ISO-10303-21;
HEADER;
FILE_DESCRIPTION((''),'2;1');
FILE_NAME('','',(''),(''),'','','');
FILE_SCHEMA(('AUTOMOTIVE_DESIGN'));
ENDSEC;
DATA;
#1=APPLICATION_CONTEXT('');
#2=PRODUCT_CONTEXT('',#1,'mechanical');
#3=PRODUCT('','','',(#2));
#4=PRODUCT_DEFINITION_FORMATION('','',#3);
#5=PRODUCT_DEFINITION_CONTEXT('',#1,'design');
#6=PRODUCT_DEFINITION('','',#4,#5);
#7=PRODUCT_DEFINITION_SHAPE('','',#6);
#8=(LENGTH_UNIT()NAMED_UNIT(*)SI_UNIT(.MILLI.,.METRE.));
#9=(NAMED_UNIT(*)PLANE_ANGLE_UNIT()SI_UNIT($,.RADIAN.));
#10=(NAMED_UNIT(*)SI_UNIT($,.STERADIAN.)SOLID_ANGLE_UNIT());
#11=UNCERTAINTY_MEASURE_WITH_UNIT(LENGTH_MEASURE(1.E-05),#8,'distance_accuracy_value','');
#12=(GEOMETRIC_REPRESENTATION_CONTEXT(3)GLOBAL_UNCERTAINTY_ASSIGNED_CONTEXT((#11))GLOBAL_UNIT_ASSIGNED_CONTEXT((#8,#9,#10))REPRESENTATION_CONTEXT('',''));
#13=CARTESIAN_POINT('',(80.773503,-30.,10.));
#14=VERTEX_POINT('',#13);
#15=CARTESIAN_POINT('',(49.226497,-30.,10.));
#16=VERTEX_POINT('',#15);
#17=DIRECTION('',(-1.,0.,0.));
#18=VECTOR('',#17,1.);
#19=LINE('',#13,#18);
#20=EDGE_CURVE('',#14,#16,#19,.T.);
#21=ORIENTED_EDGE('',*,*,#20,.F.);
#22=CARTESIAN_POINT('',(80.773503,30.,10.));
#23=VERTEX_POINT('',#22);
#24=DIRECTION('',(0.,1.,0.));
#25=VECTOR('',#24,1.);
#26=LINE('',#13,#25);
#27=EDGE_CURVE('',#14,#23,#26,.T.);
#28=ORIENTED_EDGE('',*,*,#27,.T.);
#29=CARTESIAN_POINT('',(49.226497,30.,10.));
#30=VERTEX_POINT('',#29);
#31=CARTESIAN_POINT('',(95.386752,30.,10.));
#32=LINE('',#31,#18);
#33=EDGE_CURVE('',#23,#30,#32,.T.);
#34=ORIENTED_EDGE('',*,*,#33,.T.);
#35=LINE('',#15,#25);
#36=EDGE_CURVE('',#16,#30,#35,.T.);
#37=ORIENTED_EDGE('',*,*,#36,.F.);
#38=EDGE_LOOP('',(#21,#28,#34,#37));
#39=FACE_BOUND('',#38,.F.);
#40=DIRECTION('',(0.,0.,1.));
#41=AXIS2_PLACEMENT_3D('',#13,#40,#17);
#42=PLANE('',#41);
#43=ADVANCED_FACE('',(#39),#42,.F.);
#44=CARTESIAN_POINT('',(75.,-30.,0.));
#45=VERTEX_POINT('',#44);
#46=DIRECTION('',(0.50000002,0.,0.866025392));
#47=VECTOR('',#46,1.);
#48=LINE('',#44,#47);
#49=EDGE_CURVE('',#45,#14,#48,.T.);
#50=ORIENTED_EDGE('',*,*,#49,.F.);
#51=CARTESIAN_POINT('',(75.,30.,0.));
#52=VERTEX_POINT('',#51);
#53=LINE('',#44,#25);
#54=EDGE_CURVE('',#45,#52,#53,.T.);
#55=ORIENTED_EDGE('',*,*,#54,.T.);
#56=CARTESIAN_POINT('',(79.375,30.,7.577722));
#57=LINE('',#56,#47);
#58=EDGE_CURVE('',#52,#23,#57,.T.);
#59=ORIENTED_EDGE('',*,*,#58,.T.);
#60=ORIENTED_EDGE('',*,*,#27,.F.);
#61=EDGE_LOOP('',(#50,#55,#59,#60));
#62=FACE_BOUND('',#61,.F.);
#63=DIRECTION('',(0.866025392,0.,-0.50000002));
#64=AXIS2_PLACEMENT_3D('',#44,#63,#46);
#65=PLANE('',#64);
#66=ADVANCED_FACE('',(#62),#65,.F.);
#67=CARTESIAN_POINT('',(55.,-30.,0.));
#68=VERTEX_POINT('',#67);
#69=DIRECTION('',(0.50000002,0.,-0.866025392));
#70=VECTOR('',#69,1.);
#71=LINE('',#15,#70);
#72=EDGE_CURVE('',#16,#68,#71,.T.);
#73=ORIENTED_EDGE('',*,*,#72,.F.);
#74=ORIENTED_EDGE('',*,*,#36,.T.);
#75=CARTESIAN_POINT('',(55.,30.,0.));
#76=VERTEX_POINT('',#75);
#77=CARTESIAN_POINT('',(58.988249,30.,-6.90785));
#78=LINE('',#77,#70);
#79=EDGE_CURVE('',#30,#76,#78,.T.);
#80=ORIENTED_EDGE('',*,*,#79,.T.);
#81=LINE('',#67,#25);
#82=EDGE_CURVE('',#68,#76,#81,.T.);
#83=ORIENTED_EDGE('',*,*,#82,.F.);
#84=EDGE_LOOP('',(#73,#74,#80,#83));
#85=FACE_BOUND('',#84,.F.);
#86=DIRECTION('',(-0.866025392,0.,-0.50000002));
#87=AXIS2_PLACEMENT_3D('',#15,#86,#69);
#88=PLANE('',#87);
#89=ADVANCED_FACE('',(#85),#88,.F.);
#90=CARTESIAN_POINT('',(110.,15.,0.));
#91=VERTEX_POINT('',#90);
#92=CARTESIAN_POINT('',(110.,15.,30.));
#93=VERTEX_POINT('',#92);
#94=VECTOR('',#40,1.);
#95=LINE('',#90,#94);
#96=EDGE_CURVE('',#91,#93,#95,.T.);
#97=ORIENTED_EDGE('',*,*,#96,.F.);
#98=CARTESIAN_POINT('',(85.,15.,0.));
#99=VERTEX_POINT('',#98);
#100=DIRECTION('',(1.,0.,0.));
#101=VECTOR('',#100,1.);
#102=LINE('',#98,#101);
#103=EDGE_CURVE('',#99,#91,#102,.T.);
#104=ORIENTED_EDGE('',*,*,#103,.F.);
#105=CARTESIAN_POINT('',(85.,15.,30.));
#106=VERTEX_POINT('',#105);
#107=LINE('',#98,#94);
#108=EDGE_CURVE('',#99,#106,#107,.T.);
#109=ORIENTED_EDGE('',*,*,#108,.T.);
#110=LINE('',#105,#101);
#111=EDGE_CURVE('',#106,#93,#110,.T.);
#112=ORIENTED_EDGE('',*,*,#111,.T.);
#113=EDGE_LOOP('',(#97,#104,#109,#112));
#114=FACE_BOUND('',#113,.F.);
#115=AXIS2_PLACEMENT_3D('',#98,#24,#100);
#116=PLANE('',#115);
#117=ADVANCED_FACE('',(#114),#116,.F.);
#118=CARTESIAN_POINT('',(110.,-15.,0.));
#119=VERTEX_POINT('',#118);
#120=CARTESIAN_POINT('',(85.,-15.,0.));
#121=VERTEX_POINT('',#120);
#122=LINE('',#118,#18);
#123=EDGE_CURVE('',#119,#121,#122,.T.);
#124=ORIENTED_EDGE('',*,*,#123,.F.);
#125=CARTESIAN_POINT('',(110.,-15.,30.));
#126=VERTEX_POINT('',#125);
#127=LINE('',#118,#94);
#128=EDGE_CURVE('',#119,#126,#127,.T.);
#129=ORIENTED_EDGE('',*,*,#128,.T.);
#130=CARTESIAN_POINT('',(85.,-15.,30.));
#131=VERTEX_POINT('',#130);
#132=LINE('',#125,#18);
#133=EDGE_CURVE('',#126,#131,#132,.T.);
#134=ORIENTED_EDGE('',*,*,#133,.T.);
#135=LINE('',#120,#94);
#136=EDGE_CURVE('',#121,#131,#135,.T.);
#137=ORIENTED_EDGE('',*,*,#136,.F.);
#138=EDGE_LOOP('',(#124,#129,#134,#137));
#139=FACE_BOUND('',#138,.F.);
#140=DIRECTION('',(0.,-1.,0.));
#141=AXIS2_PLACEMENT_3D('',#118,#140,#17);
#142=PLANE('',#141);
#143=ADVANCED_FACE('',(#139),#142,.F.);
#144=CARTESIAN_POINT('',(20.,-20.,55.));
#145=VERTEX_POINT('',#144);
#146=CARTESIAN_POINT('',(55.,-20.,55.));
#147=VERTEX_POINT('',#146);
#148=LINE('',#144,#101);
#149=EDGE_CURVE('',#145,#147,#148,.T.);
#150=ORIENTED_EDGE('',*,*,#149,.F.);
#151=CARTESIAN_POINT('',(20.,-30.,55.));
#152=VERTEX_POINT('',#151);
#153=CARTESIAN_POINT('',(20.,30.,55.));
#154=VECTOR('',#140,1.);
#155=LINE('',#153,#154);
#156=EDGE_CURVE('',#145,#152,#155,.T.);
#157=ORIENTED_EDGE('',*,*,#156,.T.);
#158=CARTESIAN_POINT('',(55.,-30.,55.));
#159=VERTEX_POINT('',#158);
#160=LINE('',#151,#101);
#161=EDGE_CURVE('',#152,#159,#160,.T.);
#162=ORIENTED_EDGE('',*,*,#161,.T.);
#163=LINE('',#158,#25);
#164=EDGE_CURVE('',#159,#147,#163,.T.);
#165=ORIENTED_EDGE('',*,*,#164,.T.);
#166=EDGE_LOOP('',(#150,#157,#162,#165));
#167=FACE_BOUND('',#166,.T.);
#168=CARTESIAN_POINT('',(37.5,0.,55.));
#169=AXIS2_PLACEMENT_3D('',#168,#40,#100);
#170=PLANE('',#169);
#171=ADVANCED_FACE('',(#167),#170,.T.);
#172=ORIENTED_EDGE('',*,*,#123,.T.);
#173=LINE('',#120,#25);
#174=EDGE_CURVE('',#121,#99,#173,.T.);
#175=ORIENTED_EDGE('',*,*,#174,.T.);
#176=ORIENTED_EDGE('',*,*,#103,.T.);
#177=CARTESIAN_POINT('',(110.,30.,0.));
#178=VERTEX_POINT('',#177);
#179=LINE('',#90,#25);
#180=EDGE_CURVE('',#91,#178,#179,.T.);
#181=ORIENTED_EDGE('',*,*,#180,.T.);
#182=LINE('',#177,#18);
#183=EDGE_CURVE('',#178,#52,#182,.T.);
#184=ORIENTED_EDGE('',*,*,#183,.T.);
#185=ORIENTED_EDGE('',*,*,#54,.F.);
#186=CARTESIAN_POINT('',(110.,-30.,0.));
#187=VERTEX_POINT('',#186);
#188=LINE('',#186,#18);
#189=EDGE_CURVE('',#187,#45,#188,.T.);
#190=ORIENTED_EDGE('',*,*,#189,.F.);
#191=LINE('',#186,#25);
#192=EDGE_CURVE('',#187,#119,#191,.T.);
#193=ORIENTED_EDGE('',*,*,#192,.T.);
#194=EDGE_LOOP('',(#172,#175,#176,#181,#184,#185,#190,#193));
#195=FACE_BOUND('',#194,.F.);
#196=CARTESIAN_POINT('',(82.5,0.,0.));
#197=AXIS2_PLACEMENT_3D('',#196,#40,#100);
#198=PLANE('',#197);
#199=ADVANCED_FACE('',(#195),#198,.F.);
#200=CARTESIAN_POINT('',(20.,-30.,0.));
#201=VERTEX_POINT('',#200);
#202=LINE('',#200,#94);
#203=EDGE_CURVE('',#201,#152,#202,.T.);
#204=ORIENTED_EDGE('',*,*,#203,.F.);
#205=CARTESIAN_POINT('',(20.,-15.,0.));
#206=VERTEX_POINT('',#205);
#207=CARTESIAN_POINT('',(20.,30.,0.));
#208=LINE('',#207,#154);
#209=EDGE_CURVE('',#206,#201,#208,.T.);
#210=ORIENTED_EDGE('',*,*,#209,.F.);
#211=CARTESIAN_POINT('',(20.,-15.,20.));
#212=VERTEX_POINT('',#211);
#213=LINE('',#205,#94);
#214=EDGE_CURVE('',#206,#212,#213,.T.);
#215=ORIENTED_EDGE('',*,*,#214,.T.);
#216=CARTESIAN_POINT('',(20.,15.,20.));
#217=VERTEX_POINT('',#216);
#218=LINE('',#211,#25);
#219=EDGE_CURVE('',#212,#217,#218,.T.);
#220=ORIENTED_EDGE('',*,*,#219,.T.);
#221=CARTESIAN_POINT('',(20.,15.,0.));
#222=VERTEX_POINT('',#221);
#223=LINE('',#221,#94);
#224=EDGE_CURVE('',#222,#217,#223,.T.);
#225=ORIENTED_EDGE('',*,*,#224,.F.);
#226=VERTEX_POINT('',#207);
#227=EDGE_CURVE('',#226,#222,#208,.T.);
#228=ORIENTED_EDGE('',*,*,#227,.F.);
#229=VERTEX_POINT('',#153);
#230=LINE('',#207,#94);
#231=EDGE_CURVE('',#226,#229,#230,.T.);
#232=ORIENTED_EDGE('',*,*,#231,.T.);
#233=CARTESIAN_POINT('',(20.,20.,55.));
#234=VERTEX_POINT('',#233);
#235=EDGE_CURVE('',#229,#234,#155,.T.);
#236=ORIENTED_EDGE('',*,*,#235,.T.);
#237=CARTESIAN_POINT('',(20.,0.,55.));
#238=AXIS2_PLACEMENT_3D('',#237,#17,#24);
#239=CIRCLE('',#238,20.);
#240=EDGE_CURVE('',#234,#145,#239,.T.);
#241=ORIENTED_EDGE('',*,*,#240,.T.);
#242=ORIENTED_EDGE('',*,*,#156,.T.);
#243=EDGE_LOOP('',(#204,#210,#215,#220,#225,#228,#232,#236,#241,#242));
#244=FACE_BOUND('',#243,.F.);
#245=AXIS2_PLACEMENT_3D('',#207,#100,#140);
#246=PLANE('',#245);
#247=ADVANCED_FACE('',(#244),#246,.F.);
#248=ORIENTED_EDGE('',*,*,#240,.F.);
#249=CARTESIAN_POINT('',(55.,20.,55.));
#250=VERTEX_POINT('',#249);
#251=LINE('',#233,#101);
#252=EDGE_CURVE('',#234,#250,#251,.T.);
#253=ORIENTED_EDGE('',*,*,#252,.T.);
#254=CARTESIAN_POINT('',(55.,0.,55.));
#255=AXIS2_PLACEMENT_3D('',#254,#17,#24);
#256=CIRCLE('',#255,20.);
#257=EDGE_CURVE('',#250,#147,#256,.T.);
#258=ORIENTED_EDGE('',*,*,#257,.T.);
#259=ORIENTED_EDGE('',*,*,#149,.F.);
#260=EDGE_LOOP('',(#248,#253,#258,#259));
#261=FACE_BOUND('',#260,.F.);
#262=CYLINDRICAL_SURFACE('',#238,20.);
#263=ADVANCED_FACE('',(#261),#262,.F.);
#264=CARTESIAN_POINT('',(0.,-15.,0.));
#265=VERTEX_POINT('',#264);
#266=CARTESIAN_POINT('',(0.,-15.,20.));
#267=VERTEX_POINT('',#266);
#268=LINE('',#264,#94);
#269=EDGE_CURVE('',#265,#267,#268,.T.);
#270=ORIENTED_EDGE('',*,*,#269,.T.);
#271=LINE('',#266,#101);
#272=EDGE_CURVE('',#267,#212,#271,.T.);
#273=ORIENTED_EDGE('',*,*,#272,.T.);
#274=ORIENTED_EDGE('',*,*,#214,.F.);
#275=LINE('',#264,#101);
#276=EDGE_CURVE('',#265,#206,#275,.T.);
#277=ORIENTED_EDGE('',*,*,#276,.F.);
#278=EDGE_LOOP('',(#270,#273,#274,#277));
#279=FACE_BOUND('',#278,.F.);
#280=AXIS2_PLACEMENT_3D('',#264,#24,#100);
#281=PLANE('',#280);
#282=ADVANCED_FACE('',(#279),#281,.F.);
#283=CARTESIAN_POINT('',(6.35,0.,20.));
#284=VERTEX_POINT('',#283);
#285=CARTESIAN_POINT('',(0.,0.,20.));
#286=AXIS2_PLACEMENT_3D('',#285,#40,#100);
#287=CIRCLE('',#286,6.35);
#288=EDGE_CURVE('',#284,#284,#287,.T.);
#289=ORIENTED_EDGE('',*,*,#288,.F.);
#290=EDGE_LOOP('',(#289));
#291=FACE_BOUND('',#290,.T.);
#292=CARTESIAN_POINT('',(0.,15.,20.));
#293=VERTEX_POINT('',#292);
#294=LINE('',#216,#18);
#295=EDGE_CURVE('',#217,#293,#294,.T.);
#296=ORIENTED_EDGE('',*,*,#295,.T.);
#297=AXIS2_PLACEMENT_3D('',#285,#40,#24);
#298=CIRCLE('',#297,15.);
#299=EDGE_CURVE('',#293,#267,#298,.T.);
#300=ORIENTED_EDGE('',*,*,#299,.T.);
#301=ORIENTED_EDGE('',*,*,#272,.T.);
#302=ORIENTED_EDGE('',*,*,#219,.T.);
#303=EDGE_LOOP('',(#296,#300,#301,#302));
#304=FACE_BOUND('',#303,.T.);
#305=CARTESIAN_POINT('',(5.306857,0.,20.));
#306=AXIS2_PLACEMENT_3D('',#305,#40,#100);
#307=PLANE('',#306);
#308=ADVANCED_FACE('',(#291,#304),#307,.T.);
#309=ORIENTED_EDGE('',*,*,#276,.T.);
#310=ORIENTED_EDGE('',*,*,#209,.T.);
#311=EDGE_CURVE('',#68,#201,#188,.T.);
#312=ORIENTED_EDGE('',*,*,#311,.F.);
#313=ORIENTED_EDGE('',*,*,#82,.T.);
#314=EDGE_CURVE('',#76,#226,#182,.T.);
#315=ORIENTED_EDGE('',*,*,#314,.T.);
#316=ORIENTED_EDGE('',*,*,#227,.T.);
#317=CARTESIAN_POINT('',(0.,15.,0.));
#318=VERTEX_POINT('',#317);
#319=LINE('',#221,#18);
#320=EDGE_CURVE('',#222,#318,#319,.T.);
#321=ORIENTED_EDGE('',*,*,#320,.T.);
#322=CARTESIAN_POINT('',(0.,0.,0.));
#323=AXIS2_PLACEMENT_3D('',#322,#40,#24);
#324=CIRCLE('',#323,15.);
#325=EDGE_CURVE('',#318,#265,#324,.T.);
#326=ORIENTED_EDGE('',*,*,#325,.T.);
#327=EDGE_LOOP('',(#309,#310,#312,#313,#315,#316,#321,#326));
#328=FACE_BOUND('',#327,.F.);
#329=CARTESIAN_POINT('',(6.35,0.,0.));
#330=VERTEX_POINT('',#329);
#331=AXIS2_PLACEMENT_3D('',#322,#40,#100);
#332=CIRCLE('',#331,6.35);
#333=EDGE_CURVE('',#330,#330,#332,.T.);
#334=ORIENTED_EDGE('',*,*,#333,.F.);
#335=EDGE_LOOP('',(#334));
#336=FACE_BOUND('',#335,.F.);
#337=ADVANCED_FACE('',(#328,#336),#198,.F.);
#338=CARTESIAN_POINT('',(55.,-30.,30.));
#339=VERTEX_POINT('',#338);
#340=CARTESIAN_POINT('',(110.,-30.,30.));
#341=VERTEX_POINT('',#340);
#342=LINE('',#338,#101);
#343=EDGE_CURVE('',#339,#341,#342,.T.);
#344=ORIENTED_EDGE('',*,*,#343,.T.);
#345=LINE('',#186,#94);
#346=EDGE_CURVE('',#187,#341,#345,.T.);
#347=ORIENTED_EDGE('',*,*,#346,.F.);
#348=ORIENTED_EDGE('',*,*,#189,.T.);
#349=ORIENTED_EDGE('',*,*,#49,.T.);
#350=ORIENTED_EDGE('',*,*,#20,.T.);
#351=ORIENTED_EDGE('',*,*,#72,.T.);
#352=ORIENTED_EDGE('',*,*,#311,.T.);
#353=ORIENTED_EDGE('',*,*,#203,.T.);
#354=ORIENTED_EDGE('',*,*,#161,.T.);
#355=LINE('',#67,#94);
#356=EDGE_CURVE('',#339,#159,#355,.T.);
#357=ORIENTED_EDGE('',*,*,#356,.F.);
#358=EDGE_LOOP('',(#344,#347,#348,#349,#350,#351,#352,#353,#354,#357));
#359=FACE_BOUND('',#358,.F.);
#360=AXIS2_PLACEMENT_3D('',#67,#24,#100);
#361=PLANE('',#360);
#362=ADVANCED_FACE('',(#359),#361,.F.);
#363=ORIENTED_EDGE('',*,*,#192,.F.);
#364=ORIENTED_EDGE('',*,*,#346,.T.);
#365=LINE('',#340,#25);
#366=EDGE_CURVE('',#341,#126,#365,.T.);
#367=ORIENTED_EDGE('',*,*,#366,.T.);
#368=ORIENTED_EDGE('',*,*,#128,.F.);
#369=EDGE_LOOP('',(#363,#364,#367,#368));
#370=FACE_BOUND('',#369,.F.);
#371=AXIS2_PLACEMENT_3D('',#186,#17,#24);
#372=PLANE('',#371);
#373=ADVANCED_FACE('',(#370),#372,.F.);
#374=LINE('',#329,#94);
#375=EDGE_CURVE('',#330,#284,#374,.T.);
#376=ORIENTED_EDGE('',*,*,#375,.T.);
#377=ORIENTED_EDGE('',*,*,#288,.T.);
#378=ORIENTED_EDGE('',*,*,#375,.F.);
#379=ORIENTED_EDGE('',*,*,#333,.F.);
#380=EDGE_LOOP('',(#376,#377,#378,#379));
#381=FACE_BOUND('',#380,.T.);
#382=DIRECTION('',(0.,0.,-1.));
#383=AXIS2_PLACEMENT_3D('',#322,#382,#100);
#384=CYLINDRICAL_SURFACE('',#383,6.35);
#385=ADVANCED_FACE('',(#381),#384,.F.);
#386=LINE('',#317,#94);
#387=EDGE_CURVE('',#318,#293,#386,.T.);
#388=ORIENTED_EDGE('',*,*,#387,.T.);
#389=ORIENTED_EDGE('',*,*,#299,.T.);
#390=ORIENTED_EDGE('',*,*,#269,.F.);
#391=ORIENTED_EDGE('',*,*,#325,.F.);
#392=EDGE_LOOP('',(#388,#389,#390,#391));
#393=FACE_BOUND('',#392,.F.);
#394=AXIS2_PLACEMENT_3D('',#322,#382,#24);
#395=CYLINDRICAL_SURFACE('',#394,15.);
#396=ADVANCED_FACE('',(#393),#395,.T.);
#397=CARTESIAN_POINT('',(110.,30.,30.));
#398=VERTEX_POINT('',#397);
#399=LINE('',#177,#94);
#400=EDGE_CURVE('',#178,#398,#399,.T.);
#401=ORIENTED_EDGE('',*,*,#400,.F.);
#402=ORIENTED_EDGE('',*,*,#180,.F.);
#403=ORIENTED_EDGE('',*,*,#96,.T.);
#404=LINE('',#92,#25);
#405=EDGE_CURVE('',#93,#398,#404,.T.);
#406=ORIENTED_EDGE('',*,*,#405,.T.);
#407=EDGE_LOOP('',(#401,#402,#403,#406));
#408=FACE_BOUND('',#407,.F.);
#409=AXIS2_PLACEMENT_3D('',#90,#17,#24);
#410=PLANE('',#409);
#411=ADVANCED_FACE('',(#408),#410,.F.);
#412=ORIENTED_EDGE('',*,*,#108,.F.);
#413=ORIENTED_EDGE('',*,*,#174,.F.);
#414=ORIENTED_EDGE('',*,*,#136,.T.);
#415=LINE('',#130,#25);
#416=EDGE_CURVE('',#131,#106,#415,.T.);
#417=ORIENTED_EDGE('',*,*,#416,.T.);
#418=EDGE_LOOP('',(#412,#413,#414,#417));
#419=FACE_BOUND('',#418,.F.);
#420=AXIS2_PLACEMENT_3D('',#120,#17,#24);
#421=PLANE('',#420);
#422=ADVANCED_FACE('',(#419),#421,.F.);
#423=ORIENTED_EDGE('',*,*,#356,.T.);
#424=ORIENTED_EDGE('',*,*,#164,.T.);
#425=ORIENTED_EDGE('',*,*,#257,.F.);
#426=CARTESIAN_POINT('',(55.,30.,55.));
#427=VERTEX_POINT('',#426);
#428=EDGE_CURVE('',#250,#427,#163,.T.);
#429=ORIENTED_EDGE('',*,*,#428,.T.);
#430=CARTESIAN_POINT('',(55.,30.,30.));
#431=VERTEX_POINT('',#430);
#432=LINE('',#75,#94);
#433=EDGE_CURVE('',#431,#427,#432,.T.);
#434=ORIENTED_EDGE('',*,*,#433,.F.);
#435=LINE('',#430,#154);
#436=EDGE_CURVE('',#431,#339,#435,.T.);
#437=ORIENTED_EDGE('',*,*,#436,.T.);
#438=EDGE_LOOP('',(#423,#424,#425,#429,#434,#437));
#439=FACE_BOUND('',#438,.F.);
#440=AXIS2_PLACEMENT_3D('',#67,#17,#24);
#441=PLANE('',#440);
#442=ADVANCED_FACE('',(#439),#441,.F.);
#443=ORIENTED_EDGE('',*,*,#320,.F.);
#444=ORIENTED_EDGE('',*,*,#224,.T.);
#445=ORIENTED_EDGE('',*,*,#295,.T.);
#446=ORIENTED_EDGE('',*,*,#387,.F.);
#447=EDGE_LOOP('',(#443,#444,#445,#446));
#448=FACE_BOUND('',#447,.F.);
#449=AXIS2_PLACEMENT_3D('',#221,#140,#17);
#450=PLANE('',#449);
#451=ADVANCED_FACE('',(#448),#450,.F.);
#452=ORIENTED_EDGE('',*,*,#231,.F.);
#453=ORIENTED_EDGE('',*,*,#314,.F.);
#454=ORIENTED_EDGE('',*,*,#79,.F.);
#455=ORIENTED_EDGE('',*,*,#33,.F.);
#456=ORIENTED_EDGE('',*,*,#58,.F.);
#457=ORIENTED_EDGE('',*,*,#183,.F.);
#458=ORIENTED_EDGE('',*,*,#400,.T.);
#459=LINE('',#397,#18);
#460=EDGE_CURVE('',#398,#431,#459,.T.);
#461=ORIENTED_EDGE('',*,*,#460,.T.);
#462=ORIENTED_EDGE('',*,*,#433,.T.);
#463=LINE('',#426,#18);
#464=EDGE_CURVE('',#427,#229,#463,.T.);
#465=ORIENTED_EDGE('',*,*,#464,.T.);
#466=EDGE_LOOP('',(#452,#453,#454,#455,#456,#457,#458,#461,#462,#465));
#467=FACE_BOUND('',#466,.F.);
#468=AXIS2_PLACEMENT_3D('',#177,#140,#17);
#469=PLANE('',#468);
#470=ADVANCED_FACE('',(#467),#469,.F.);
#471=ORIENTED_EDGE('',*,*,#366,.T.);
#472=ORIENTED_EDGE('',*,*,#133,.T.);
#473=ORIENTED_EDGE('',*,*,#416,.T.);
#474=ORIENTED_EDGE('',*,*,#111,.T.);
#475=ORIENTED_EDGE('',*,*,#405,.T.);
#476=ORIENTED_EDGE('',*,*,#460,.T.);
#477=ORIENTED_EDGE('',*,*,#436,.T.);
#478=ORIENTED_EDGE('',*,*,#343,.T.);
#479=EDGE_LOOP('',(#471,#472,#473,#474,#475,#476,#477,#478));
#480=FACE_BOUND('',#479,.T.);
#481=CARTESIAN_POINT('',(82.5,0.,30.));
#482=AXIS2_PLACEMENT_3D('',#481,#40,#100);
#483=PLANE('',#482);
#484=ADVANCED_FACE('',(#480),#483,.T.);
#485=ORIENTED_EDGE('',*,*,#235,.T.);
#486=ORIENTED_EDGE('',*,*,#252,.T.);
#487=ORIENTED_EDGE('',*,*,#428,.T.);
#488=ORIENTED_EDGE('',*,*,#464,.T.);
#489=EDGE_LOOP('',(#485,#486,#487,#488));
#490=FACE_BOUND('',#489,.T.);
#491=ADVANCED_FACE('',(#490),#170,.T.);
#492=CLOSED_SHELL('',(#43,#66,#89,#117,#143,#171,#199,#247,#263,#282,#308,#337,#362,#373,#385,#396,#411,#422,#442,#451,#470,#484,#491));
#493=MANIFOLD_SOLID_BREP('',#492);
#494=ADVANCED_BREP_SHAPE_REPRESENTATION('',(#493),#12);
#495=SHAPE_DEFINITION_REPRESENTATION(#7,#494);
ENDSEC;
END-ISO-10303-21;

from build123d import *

# Parameters (mm, degrees)
F0_R     = 6.35
F1_DEPTH = 20
F2_DEPTH = 55
F3_DEPTH = 30
F5_DEPTH = 90.001
F7_DEPTH = 60.001


with BuildPart() as f1:
    # F0 (on Top) → F1 (new body)
    with BuildSketch(Plane.XY):
        with BuildLine():
            Line((20, 15), (0, 15))
            ThreePointArc((0, 15), (-15, 0), (0, -15))
            Line((0, -15), (20, -15))
            Line((20, -15), (20, 15))
        make_face()
        Circle(F0_R, mode=Mode.SUBTRACT)
    extrude(amount=F1_DEPTH)

    # F0 (on Top) → F2 (join)
    with BuildSketch(Plane.XY):
        Polygon((20, 30), (20, 15), (20, -15), (20, -30), (55, -30), (55, 30), align=None)
    extrude(amount=F2_DEPTH)

    # F0 (on Top) → F3 (join)
    with BuildSketch(Plane.XY):
        Polygon((110, 30), (55, 30), (55, -30), (110, -30), (110, -15), (85, -15), (85, 15), (110, 15), align=None)
    extrude(amount=F3_DEPTH)

    # F4 (on face) → F5 (cut, through all)
    with BuildSketch(Plane(origin=(20, 0, 0), x_dir=(0, -1, 0), z_dir=(-1, 0, 0))):
        with BuildLine():
            Line((20, 55), (-20, 55))
            ThreePointArc((-20, 55), (0, 35), (20, 55))
        make_face()
    extrude(amount=-F5_DEPTH, mode=Mode.SUBTRACT)

    # F6 (on face) → F7 (cut, through all)
    with BuildSketch(Plane.XZ.offset(30)):
        Polygon((55, 0), (75, 0), (80.773503, 10), (49.226497, 10), align=None)
    extrude(amount=-F7_DEPTH, mode=Mode.SUBTRACT)


solid = f1.part
